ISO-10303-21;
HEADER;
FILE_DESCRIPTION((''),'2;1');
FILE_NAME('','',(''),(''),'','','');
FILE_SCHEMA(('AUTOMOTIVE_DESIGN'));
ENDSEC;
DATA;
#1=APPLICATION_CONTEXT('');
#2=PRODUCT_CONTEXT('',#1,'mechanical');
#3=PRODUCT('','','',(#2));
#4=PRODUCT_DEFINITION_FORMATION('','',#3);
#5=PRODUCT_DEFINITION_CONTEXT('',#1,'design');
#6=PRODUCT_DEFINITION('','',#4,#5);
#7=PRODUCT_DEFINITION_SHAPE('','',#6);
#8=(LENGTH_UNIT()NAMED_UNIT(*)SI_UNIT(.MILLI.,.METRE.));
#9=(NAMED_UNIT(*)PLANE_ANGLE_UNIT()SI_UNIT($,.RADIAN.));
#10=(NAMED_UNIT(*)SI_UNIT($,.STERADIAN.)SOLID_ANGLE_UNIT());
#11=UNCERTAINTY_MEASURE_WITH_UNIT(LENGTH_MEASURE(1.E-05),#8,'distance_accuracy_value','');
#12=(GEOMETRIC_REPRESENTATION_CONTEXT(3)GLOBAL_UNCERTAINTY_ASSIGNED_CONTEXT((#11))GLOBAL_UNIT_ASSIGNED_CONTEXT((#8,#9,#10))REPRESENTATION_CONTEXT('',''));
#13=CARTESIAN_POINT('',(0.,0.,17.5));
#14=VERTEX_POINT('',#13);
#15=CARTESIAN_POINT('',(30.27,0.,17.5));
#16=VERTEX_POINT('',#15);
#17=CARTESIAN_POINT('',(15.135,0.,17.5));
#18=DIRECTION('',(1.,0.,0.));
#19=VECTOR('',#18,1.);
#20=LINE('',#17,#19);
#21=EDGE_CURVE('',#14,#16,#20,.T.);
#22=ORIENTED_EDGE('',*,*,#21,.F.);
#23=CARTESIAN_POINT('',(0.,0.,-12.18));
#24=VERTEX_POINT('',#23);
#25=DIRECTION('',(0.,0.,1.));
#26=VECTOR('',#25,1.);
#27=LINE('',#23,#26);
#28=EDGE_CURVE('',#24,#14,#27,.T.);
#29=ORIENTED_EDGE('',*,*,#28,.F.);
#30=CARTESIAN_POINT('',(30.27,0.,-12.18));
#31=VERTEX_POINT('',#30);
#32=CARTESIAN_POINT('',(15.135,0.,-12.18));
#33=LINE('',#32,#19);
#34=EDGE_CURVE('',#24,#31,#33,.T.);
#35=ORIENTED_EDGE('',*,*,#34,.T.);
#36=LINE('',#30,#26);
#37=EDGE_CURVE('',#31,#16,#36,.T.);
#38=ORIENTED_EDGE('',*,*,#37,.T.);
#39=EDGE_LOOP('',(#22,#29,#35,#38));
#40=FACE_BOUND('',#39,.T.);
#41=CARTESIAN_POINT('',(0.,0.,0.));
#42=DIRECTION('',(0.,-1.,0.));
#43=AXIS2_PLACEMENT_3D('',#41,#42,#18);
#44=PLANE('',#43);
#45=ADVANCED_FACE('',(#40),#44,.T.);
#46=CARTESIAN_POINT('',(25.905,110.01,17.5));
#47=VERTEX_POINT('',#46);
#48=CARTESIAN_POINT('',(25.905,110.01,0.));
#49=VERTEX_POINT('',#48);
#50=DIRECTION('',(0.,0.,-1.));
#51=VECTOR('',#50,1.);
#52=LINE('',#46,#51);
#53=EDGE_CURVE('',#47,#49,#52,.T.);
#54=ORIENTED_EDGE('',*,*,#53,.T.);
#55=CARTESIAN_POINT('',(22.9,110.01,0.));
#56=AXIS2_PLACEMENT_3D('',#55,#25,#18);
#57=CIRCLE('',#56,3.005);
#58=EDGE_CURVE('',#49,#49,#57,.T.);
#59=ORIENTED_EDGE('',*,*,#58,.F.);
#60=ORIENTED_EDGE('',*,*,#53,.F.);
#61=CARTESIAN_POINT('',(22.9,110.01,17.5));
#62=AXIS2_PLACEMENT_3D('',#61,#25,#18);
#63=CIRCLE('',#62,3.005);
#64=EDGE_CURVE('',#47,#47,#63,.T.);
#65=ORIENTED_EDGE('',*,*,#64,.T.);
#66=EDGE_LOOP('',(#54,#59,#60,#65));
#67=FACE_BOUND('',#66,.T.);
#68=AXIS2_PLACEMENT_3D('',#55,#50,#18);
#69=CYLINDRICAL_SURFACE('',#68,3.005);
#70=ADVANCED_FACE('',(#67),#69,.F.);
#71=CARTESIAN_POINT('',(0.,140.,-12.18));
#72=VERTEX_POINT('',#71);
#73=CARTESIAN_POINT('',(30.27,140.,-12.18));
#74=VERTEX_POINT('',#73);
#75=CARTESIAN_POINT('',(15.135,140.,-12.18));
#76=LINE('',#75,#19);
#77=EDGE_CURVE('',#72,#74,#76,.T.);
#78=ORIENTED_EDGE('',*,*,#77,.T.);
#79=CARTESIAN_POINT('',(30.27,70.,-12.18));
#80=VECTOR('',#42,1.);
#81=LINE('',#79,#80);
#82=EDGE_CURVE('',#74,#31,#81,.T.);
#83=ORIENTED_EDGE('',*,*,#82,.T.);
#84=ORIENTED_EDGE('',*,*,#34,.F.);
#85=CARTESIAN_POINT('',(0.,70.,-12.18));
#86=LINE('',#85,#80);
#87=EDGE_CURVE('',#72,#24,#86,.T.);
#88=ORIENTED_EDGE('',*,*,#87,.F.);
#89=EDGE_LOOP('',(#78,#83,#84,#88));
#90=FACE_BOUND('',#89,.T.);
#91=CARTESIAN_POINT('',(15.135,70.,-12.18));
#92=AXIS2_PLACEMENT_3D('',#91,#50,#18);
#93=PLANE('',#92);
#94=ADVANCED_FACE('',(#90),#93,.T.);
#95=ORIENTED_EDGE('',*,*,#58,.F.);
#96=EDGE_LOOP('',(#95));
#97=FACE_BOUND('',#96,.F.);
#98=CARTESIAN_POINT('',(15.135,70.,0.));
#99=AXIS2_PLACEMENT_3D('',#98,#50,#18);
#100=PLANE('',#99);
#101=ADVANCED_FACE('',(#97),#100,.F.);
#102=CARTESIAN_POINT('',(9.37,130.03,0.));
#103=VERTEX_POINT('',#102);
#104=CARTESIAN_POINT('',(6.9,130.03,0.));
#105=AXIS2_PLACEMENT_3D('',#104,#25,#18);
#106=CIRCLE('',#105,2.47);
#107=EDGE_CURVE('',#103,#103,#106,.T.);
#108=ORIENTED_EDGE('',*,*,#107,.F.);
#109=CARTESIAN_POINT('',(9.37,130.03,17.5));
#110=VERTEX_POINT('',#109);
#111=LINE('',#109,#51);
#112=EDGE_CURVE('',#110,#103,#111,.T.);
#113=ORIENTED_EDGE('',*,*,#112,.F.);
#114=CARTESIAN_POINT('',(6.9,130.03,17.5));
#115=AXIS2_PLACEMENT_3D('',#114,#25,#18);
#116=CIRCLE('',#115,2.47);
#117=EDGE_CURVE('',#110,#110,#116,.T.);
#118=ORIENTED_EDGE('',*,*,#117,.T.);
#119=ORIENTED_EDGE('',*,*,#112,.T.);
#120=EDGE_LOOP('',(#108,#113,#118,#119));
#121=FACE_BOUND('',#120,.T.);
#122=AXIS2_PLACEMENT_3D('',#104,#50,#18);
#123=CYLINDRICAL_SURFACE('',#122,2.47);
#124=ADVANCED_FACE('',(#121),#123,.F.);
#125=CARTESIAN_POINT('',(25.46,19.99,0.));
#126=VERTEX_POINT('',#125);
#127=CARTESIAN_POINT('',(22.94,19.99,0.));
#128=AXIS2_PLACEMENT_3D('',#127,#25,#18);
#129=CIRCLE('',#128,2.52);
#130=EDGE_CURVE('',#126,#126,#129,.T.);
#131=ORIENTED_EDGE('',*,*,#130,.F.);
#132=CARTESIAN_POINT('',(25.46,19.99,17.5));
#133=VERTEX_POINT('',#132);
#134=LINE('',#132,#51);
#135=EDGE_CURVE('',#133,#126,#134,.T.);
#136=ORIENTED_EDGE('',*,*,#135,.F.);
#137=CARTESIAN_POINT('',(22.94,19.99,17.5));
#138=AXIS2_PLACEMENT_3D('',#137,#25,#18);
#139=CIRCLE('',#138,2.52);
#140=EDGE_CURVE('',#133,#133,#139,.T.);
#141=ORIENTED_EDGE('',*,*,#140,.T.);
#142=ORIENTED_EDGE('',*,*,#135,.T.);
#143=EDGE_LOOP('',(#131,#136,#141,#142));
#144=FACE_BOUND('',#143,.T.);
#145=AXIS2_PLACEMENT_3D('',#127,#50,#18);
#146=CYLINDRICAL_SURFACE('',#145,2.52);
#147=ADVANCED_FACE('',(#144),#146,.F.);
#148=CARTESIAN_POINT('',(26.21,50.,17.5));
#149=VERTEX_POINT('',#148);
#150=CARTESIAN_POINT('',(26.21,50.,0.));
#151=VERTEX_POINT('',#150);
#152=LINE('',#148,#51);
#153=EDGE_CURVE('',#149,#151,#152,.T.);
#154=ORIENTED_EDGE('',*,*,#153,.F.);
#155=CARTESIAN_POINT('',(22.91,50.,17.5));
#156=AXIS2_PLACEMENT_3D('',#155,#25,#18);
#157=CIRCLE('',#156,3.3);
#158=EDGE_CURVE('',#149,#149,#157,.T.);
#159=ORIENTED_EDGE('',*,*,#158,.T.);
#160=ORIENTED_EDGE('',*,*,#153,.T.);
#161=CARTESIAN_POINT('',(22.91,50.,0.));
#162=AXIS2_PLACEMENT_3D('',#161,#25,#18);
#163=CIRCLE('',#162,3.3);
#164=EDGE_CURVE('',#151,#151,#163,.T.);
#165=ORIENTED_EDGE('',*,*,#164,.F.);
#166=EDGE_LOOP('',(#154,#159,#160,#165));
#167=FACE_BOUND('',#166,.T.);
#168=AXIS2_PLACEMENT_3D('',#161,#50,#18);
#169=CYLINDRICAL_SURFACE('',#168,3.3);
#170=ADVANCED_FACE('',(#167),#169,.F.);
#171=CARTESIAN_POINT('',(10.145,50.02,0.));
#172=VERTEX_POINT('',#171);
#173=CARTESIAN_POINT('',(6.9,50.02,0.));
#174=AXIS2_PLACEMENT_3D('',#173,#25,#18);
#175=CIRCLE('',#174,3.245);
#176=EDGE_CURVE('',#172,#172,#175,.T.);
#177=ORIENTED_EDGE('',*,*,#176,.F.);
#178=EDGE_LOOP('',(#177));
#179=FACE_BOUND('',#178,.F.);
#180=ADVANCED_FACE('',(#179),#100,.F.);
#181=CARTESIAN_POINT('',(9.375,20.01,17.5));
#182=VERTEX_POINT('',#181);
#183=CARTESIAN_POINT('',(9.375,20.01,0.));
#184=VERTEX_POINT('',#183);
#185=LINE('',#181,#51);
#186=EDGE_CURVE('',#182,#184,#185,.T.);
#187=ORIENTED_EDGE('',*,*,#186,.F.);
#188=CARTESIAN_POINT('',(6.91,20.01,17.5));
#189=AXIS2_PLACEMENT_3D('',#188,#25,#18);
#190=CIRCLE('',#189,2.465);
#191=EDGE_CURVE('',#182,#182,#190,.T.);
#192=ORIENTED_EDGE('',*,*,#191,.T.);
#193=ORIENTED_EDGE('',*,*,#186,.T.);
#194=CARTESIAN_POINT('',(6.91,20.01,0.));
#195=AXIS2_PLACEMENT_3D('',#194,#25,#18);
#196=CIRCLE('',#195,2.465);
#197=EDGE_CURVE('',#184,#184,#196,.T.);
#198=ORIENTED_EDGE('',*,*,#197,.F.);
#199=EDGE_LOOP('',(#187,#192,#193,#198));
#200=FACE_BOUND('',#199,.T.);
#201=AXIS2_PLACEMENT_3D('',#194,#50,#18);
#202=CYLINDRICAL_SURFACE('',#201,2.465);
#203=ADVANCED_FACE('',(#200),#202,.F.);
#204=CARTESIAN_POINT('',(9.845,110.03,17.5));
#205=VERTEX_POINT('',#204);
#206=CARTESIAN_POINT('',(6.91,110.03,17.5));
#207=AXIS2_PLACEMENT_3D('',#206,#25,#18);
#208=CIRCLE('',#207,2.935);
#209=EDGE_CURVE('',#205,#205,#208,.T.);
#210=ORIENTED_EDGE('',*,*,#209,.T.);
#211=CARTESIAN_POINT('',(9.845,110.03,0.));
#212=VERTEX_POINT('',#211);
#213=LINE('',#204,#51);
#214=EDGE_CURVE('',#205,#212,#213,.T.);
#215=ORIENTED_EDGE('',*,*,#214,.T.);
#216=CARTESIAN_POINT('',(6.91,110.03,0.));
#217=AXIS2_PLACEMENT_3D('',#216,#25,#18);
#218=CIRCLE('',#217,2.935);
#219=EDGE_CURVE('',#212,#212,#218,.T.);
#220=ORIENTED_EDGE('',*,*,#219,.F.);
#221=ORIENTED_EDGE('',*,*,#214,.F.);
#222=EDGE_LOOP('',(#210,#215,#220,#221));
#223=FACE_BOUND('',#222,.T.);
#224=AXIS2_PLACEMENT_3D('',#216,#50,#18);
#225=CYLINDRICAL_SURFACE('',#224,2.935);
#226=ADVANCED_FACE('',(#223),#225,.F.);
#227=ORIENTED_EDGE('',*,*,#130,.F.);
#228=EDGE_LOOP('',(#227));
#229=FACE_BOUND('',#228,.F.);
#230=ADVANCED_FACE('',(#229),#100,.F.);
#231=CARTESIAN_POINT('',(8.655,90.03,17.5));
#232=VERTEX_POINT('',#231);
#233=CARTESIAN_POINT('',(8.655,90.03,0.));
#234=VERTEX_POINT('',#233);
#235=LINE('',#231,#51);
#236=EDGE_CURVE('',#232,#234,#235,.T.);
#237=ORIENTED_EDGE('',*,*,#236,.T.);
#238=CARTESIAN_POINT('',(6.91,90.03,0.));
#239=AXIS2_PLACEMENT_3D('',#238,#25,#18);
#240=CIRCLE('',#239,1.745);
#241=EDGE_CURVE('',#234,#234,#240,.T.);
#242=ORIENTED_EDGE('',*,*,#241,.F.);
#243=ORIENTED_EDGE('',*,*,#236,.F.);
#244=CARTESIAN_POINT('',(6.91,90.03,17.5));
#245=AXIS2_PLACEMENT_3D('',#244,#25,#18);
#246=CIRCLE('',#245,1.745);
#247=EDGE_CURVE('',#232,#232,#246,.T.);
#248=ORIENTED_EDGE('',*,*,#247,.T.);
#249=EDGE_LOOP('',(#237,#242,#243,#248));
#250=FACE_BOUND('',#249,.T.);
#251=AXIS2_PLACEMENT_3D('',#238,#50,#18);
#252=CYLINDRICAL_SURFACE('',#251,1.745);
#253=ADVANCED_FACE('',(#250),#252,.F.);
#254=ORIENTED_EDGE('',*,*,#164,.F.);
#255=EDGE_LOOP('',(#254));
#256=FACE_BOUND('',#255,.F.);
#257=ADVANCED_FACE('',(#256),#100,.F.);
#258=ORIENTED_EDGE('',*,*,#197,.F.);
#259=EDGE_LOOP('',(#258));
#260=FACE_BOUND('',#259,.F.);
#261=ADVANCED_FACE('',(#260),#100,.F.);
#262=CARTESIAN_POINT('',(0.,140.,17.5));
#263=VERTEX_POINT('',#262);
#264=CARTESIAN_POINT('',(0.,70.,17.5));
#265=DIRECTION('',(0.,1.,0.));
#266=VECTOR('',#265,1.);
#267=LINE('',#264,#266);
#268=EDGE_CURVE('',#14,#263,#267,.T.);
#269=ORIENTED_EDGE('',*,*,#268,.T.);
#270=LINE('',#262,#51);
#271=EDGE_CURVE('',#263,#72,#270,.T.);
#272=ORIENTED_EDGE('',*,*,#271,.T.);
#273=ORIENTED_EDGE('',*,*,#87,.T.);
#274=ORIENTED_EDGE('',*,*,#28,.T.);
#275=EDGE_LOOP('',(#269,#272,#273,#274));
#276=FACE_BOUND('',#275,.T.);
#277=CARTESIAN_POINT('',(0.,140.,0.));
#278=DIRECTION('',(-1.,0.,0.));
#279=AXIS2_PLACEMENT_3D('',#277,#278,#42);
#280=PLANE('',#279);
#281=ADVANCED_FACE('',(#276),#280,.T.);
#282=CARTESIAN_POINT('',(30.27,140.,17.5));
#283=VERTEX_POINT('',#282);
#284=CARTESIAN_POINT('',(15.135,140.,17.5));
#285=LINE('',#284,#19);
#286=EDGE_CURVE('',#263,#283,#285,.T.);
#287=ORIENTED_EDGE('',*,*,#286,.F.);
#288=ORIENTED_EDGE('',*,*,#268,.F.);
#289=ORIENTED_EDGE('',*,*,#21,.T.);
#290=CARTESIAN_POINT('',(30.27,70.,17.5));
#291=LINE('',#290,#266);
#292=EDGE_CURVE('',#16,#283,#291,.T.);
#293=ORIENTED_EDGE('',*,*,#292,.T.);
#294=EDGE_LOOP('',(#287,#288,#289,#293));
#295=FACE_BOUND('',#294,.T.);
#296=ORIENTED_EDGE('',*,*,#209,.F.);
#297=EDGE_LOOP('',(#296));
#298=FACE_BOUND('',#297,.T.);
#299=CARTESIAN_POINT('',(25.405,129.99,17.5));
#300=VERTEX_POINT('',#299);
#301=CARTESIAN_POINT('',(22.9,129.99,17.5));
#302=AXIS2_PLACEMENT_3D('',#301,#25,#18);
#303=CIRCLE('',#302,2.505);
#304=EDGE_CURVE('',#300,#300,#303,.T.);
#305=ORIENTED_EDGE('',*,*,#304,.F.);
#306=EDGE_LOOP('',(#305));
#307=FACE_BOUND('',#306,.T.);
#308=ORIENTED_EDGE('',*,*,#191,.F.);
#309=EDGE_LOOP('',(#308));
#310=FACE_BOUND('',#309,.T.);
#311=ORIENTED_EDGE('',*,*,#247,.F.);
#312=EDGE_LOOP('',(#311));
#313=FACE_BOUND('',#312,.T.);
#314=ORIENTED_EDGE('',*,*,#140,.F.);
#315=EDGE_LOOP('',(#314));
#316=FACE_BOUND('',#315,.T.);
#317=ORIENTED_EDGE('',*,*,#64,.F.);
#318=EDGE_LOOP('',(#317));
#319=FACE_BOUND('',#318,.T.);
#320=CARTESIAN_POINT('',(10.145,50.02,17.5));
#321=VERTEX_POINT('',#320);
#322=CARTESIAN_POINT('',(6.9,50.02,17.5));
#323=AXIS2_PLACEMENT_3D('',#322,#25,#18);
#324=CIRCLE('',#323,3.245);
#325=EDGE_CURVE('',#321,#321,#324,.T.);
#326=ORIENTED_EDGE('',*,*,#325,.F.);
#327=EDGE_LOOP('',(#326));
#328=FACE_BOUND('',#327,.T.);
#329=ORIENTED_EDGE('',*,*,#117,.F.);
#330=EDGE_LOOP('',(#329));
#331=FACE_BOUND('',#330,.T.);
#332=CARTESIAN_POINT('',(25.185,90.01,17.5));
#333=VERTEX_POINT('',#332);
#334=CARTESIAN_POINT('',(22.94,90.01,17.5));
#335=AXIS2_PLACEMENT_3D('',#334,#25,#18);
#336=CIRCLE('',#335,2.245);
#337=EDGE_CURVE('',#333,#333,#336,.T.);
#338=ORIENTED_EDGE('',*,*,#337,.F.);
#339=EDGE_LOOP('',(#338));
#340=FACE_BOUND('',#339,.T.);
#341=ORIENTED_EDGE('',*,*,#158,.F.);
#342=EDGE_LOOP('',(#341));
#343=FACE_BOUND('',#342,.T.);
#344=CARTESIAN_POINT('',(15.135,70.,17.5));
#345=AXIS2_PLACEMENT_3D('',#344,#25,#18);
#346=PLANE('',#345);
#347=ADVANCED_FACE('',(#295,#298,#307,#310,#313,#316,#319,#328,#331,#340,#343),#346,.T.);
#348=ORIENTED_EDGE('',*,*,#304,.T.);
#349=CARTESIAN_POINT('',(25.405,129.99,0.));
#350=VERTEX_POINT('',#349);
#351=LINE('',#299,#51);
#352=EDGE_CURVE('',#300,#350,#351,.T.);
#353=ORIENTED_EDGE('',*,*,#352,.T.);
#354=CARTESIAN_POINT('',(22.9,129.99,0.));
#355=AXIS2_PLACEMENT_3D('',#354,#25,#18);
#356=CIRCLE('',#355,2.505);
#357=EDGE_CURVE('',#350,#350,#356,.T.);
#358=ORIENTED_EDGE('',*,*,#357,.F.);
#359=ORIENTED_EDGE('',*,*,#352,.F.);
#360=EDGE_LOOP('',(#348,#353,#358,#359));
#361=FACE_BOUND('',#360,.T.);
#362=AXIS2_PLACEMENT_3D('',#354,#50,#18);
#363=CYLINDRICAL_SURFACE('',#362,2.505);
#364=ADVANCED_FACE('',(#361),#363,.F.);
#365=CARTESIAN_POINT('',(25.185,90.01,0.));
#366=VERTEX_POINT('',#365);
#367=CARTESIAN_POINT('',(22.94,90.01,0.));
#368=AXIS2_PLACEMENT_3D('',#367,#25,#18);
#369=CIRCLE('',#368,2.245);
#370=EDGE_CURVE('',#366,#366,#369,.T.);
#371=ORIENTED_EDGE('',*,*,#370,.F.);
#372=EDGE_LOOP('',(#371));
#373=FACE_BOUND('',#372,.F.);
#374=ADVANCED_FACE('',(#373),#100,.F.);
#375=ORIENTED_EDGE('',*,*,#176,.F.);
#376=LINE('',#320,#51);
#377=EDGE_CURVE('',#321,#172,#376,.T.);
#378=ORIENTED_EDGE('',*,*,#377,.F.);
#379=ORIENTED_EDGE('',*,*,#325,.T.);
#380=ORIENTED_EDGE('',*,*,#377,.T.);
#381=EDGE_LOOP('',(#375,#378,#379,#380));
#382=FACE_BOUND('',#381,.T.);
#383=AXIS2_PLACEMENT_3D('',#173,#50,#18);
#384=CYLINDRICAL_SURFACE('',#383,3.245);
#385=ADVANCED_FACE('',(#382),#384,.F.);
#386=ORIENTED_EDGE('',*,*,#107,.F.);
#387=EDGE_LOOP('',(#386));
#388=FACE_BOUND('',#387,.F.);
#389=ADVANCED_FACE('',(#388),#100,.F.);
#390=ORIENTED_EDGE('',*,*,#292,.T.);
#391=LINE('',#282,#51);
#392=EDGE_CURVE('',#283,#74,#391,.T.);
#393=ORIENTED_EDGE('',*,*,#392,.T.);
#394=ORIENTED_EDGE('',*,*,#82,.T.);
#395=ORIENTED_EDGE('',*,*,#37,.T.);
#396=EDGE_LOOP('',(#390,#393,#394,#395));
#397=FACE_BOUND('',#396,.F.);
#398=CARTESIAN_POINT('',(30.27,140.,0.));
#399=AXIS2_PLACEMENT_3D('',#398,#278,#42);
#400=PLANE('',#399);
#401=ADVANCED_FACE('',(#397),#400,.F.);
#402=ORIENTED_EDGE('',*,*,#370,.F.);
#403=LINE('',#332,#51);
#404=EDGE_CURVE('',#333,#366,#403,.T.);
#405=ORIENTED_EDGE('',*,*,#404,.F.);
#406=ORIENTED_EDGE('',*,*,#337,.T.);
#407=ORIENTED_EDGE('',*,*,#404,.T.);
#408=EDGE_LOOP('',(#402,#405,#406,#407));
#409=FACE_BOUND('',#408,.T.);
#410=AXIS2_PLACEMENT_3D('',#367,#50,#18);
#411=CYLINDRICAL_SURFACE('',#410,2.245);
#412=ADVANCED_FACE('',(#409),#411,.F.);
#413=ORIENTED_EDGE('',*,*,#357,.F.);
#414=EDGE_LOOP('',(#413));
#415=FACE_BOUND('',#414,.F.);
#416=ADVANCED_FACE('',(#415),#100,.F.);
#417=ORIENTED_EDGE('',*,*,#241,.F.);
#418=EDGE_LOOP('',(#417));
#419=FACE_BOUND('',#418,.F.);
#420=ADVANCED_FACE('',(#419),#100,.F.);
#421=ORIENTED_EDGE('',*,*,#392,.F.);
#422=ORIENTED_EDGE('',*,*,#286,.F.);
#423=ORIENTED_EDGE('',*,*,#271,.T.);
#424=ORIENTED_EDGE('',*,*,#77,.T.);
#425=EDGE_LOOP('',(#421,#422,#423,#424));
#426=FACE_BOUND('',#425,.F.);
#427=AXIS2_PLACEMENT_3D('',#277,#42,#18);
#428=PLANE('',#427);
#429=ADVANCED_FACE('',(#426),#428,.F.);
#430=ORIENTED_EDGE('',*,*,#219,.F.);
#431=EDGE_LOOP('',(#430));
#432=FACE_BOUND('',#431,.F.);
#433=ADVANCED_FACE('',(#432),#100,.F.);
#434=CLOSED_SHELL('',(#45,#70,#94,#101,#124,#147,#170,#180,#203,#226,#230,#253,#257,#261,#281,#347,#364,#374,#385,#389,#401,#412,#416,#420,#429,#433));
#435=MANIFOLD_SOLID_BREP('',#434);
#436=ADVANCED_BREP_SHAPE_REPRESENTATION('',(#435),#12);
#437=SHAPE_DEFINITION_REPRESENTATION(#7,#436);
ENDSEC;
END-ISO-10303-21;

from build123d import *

# Parameters (mm, degrees)
F0_W     = 30.27
F0_H     = 140
F0_R     = 2.465
F0_R_2   = 3.245
F0_R_3   = 2.52
F0_R_4   = 3.3
F0_R_5   = 1.745
F0_R_6   = 2.935
F0_R_7   = 2.47
F0_R_8   = 2.245
F0_R_9   = 3.005
F0_R_10  = 2.505
F1_DEPTH = 17.5
F2_W     = 30.27
F2_H     = 140
F3_DEPTH = 12.18


with BuildPart() as f1:
    # F0 (on Top) → F1 (new body)
    with BuildSketch(Plane.XY):
        with Locations((15.135, 70)):
            Rectangle(F0_W, F0_H)
        with Locations((6.91, 20.01)):
            Circle(F0_R, mode=Mode.SUBTRACT)
        with Locations((6.9, 50.02)):
            Circle(F0_R_2, mode=Mode.SUBTRACT)
        with Locations((22.94, 19.99)):
            Circle(F0_R_3, mode=Mode.SUBTRACT)
        with Locations((22.91, 50)):
            Circle(F0_R_4, mode=Mode.SUBTRACT)
        with Locations((6.91, 90.03)):
            Circle(F0_R_5, mode=Mode.SUBTRACT)
        with Locations((6.91, 110.03)):
            Circle(F0_R_6, mode=Mode.SUBTRACT)
        with Locations((6.9, 130.03)):
            Circle(F0_R_7, mode=Mode.SUBTRACT)
        with Locations((22.94, 90.01)):
            Circle(F0_R_8, mode=Mode.SUBTRACT)
        with Locations((22.9, 110.01)):
            Circle(F0_R_9, mode=Mode.SUBTRACT)
        with Locations((22.9, 129.99)):
            Circle(F0_R_10, mode=Mode.SUBTRACT)
    extrude(amount=F1_DEPTH)

    # F2 (on face) + F0 (on Top) → F3 (join)
    with BuildSketch(Plane(origin=(0, 0, 0), x_dir=(1, 0, 0), z_dir=(0, 0, -1))):
        with Locations((15.135, -70)):
            Rectangle(F2_W, F2_H)
    with BuildSketch(Plane.XY):
        with Locations((15.135, 70)):
            Rectangle(F0_W, F0_H)
        with Locations((6.91, 20.01)):
            Circle(F0_R, mode=Mode.SUBTRACT)
        with Locations((6.9, 50.02)):
            Circle(F0_R_2, mode=Mode.SUBTRACT)
        with Locations((22.94, 19.99)):
            Circle(F0_R_3, mode=Mode.SUBTRACT)
        with Locations((22.91, 50)):
            Circle(F0_R_4, mode=Mode.SUBTRACT)
        with Locations((6.91, 90.03)):
            Circle(F0_R_5, mode=Mode.SUBTRACT)
        with Locations((6.91, 110.03)):
            Circle(F0_R_6, mode=Mode.SUBTRACT)
        with Locations((6.9, 130.03)):
            Circle(F0_R_7, mode=Mode.SUBTRACT)
        with Locations((22.94, 90.01)):
            Circle(F0_R_8, mode=Mode.SUBTRACT)
        with Locations((22.9, 110.01)):
            Circle(F0_R_9, mode=Mode.SUBTRACT)
        with Locations((22.9, 129.99)):
            Circle(F0_R_10, mode=Mode.SUBTRACT)
    extrude(amount=F3_DEPTH)


solid = f1.part
